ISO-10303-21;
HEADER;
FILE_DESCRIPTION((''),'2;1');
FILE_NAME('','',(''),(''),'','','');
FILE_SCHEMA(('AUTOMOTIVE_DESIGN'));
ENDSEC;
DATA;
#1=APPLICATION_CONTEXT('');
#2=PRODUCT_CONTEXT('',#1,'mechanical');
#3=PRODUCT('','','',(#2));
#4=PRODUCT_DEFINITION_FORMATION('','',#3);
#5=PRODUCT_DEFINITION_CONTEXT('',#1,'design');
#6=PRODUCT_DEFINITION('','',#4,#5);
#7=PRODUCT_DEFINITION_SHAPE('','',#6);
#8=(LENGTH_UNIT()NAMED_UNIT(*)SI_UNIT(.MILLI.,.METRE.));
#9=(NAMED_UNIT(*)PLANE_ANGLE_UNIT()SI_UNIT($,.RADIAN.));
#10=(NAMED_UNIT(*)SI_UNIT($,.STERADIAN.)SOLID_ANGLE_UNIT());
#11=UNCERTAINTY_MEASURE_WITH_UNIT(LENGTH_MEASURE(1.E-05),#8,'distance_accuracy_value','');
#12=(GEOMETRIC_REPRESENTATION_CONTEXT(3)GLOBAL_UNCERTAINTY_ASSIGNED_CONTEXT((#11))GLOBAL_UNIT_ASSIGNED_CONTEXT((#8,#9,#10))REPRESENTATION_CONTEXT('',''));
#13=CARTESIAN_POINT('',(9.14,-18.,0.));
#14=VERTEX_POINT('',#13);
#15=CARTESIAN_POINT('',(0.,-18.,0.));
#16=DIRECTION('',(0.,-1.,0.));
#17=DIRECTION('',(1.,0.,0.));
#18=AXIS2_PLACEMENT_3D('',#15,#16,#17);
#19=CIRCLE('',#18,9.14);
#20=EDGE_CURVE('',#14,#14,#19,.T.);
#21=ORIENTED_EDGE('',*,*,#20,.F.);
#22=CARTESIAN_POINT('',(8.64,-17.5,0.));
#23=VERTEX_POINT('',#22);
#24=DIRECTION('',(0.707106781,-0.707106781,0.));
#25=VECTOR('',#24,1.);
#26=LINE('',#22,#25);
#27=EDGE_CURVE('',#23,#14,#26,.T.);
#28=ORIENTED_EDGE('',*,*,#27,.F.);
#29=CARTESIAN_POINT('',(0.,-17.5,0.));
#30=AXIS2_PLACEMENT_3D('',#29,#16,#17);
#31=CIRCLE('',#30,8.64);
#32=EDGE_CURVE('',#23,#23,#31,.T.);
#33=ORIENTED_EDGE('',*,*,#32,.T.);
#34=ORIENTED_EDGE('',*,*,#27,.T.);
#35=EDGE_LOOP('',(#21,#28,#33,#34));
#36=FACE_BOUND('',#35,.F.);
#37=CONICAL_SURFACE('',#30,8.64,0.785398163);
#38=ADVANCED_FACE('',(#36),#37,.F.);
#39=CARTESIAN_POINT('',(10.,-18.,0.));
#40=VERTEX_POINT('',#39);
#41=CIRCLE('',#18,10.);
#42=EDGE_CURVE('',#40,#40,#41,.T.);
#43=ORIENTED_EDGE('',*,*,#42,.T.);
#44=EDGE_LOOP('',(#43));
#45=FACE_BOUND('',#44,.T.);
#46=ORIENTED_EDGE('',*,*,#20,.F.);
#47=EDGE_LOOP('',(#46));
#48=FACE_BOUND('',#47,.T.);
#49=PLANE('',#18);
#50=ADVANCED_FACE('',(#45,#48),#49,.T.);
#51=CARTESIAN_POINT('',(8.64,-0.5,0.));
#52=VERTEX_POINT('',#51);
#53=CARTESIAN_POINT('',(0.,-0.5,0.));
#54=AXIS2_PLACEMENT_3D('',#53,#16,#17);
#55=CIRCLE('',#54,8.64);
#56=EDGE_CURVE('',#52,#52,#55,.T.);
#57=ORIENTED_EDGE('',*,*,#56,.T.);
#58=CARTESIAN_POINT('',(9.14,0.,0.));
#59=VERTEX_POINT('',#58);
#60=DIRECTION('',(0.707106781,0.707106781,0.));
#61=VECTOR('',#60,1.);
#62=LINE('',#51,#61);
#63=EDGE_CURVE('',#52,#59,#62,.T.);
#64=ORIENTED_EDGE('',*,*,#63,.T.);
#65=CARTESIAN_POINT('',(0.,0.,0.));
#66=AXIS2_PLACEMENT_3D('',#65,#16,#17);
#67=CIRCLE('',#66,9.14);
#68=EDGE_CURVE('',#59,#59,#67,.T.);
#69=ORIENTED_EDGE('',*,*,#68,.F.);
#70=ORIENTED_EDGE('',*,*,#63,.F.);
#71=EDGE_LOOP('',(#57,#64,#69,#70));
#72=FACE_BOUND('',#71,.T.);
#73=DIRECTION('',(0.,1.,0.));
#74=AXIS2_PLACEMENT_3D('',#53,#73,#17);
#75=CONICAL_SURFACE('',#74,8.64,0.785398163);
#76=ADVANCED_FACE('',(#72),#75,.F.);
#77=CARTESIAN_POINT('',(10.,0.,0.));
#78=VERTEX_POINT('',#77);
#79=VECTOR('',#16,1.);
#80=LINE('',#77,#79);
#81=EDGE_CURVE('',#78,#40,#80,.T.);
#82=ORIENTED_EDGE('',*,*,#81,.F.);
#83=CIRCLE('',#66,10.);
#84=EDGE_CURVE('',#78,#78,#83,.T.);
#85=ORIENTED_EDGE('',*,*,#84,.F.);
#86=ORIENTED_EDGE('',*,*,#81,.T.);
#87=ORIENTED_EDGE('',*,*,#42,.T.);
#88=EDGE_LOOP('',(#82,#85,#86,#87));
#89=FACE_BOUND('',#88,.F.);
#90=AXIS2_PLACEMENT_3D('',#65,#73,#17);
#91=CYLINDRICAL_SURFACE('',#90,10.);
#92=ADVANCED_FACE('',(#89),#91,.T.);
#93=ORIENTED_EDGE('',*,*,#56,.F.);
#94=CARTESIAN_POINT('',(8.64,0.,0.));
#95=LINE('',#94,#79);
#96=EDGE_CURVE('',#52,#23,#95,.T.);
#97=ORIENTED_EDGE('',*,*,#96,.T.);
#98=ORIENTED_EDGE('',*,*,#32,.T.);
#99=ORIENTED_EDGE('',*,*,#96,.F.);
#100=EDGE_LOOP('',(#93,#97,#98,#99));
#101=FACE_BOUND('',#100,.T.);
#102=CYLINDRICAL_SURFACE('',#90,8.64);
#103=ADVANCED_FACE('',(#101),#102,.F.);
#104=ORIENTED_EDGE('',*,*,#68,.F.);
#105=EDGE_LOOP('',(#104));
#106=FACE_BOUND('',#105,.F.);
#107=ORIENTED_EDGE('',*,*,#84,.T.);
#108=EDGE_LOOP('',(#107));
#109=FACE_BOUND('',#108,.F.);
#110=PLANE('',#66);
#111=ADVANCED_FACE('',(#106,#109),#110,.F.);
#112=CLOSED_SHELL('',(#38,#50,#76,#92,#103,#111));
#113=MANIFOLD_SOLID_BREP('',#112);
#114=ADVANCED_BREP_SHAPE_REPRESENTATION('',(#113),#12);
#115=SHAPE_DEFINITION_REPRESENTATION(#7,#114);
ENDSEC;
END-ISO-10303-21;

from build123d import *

# Parameters (mm, degrees)
F0_R     = 10
F0_R_2   = 8.64
F1_DEPTH = 18
F2_SIZE  = 0.5


with BuildPart() as f1:
    # F0 (on Front) → F1 (new body)
    with BuildSketch(Plane.XZ):
        Circle(F0_R)
        Circle(F0_R_2, mode=Mode.SUBTRACT)
    extrude(amount=F1_DEPTH)

    # F2
    f2_edges = [f1.edges().sort_by_distance(p)[0] for p in [
        (-8.64, -18, 0),
        (-8.64, 0, 0),
    ]]
    chamfer(f2_edges, length=F2_SIZE)


solid = f1.part
